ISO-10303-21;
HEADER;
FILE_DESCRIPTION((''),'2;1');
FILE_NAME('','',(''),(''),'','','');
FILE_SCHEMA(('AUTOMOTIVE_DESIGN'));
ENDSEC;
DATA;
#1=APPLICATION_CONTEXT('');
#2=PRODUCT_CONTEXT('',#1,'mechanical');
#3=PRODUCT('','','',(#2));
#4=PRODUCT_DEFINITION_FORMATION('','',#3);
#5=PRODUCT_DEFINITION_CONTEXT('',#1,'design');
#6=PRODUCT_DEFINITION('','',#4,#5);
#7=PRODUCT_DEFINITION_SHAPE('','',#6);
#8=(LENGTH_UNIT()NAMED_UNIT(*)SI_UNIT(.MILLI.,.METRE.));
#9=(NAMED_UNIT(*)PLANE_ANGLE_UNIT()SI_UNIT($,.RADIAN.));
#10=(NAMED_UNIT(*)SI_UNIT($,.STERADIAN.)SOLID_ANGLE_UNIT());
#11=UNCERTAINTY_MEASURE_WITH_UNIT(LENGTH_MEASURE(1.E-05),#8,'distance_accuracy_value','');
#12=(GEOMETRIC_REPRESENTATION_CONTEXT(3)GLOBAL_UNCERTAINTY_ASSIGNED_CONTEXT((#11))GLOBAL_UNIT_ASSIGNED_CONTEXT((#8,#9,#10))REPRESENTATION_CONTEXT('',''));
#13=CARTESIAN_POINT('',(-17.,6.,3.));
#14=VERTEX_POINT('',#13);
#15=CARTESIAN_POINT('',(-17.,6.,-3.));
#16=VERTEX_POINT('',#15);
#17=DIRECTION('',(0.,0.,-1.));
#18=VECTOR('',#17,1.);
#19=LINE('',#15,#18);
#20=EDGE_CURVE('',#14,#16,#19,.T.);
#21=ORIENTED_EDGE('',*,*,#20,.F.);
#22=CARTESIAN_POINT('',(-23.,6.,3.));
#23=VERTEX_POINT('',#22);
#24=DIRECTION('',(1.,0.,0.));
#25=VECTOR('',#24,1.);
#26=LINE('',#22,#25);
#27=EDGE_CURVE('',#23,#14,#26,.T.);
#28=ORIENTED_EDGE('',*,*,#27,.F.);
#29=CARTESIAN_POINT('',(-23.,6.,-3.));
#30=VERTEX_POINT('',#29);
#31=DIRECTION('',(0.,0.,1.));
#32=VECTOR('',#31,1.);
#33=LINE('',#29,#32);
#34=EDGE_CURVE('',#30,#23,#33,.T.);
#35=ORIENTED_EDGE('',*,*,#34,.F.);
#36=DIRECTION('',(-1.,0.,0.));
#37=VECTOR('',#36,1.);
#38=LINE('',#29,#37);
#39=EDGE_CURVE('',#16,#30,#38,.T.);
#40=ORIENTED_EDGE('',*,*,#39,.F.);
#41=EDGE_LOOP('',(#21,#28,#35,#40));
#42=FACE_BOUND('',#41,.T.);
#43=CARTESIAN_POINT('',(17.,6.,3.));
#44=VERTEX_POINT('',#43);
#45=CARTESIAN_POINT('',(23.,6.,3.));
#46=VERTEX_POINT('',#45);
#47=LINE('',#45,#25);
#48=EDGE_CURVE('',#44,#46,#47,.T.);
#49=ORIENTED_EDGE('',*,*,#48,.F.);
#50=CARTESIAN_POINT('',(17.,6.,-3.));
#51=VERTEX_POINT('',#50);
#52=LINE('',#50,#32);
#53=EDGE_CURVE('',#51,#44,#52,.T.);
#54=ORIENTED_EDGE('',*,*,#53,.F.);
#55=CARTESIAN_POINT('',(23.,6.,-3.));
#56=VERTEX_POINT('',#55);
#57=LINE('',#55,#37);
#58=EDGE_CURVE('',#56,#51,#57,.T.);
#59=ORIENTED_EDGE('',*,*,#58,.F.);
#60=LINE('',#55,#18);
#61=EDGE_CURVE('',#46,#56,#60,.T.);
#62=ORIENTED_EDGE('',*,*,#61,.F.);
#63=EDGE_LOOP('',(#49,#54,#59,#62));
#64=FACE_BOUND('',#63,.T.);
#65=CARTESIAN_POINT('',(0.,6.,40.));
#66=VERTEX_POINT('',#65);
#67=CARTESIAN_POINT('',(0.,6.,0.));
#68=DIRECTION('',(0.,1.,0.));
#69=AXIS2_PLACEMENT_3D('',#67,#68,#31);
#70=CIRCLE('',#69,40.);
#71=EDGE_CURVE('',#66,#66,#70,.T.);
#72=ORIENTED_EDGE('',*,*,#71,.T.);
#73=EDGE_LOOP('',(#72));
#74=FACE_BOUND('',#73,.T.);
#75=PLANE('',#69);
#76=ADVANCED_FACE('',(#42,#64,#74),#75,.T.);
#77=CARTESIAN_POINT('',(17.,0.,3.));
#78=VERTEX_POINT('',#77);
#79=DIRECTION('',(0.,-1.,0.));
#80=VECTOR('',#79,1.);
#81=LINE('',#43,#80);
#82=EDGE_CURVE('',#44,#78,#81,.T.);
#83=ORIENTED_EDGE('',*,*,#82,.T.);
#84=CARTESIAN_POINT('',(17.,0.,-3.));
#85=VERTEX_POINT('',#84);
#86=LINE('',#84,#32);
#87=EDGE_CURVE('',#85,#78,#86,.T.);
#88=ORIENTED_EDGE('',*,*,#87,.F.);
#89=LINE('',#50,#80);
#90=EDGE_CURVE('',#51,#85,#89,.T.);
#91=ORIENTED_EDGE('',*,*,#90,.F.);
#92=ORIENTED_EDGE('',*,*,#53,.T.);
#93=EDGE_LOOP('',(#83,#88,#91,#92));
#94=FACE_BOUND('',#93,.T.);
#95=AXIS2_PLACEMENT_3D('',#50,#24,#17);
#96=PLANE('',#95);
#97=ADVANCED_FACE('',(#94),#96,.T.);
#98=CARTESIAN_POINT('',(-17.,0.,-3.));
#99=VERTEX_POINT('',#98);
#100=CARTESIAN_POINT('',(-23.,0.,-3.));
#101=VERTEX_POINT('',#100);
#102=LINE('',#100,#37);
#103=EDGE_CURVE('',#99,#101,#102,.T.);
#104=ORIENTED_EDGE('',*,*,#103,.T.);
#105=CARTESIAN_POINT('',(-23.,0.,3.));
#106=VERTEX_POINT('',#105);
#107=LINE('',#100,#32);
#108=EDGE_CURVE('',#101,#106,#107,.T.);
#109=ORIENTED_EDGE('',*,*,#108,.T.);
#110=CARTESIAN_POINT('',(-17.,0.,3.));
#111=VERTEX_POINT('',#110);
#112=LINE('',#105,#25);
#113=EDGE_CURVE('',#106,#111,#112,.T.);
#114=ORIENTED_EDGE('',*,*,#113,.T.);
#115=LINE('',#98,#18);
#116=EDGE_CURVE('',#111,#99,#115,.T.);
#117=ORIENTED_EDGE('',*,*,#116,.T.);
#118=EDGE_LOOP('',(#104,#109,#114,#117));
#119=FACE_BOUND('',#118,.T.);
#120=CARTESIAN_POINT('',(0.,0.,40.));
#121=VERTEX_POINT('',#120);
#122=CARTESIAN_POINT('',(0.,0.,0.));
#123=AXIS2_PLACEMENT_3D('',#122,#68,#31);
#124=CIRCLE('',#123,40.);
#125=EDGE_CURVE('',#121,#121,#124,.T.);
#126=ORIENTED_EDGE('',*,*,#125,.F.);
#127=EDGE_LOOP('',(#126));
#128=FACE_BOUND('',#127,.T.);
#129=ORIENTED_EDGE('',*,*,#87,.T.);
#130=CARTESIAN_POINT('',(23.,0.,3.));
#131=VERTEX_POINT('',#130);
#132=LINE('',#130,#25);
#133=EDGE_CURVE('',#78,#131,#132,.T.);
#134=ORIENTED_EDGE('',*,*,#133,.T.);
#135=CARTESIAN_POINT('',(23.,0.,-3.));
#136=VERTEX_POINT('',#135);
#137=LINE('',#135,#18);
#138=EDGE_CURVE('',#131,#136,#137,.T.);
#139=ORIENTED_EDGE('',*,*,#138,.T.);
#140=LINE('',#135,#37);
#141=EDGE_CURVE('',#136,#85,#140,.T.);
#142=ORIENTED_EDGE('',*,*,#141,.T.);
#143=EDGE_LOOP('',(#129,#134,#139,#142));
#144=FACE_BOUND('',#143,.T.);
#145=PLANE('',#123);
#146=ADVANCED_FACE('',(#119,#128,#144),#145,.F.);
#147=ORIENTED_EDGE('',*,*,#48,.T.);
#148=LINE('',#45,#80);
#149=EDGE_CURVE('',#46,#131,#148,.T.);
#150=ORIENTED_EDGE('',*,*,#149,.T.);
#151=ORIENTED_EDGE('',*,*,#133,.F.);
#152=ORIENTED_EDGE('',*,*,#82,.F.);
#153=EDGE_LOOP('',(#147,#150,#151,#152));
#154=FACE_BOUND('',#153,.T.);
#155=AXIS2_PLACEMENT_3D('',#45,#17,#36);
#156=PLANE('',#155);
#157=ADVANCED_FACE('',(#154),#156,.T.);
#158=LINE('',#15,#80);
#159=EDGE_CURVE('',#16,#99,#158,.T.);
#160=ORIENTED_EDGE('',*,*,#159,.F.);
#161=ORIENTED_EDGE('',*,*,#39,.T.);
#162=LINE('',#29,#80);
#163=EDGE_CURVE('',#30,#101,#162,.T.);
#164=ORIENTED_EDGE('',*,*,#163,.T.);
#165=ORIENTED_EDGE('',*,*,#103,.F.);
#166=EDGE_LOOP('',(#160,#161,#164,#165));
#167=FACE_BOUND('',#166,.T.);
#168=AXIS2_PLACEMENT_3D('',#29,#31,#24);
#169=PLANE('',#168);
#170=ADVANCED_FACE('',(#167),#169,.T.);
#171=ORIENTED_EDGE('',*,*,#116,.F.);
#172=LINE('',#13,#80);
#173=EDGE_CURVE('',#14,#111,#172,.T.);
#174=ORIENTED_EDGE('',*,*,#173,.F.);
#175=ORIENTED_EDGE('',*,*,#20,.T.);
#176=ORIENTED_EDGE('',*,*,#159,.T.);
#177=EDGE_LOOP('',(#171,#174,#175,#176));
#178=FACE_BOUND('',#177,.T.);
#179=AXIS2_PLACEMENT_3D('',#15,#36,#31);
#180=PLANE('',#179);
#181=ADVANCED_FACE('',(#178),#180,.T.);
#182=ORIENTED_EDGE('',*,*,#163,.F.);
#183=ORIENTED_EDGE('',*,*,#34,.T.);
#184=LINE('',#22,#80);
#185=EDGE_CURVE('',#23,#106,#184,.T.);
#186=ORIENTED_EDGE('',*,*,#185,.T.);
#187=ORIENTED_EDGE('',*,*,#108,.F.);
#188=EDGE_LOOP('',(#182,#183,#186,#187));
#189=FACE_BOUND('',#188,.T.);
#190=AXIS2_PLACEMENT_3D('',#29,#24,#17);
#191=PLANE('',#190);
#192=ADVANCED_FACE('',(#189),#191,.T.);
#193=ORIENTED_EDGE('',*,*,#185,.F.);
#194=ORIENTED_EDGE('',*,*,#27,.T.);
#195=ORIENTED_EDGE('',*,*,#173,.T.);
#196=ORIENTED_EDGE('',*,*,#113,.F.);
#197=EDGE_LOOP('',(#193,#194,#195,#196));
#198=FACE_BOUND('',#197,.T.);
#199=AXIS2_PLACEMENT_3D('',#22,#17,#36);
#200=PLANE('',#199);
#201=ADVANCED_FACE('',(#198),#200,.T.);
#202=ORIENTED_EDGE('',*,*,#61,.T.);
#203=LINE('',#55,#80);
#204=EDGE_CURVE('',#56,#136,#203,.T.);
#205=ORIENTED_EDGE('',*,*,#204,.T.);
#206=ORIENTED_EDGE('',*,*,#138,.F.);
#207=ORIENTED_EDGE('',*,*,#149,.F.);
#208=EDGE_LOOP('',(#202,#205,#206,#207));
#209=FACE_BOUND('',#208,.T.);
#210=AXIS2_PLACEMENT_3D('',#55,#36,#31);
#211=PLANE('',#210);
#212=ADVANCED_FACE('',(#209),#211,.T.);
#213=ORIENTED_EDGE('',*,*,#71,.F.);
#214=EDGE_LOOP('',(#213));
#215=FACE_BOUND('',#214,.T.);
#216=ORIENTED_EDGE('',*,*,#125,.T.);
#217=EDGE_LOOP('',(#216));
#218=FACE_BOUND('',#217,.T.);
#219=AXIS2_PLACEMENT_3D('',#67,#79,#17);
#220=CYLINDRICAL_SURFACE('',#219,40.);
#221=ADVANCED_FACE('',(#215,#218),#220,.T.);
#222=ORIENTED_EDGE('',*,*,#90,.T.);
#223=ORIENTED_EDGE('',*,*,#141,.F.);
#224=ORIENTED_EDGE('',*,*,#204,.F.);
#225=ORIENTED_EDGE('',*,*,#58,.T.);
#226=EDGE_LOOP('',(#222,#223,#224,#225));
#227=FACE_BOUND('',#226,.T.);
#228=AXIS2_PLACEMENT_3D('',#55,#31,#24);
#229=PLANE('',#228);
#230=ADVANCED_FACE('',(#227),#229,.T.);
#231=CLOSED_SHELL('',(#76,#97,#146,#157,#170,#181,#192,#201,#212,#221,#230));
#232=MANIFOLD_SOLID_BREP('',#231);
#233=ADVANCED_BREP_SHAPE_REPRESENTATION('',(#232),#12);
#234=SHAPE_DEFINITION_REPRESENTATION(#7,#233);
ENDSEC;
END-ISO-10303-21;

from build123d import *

# Parameters (mm, degrees)
CROQUIS1_R              = 40
CROQUIS1_W              = 6
CROQUIS1_H              = 6
SALIENTE_EXTRUIR1_DEPTH = 6


with BuildPart() as part:
    # Croquis1 → Saliente-Extruir1 (new body)
    with BuildSketch(Plane(origin=(0, 0, 0), x_dir=(1, 0, 0), z_dir=(0, 1, 0))):
        Circle(CROQUIS1_R)
        with Locations((-20, 0)):
            Rectangle(CROQUIS1_W, CROQUIS1_H, mode=Mode.SUBTRACT)
        with Locations((20, 0)):
            Rectangle(CROQUIS1_W, CROQUIS1_H, mode=Mode.SUBTRACT)
    extrude(amount=SALIENTE_EXTRUIR1_DEPTH)


solid = part.part
